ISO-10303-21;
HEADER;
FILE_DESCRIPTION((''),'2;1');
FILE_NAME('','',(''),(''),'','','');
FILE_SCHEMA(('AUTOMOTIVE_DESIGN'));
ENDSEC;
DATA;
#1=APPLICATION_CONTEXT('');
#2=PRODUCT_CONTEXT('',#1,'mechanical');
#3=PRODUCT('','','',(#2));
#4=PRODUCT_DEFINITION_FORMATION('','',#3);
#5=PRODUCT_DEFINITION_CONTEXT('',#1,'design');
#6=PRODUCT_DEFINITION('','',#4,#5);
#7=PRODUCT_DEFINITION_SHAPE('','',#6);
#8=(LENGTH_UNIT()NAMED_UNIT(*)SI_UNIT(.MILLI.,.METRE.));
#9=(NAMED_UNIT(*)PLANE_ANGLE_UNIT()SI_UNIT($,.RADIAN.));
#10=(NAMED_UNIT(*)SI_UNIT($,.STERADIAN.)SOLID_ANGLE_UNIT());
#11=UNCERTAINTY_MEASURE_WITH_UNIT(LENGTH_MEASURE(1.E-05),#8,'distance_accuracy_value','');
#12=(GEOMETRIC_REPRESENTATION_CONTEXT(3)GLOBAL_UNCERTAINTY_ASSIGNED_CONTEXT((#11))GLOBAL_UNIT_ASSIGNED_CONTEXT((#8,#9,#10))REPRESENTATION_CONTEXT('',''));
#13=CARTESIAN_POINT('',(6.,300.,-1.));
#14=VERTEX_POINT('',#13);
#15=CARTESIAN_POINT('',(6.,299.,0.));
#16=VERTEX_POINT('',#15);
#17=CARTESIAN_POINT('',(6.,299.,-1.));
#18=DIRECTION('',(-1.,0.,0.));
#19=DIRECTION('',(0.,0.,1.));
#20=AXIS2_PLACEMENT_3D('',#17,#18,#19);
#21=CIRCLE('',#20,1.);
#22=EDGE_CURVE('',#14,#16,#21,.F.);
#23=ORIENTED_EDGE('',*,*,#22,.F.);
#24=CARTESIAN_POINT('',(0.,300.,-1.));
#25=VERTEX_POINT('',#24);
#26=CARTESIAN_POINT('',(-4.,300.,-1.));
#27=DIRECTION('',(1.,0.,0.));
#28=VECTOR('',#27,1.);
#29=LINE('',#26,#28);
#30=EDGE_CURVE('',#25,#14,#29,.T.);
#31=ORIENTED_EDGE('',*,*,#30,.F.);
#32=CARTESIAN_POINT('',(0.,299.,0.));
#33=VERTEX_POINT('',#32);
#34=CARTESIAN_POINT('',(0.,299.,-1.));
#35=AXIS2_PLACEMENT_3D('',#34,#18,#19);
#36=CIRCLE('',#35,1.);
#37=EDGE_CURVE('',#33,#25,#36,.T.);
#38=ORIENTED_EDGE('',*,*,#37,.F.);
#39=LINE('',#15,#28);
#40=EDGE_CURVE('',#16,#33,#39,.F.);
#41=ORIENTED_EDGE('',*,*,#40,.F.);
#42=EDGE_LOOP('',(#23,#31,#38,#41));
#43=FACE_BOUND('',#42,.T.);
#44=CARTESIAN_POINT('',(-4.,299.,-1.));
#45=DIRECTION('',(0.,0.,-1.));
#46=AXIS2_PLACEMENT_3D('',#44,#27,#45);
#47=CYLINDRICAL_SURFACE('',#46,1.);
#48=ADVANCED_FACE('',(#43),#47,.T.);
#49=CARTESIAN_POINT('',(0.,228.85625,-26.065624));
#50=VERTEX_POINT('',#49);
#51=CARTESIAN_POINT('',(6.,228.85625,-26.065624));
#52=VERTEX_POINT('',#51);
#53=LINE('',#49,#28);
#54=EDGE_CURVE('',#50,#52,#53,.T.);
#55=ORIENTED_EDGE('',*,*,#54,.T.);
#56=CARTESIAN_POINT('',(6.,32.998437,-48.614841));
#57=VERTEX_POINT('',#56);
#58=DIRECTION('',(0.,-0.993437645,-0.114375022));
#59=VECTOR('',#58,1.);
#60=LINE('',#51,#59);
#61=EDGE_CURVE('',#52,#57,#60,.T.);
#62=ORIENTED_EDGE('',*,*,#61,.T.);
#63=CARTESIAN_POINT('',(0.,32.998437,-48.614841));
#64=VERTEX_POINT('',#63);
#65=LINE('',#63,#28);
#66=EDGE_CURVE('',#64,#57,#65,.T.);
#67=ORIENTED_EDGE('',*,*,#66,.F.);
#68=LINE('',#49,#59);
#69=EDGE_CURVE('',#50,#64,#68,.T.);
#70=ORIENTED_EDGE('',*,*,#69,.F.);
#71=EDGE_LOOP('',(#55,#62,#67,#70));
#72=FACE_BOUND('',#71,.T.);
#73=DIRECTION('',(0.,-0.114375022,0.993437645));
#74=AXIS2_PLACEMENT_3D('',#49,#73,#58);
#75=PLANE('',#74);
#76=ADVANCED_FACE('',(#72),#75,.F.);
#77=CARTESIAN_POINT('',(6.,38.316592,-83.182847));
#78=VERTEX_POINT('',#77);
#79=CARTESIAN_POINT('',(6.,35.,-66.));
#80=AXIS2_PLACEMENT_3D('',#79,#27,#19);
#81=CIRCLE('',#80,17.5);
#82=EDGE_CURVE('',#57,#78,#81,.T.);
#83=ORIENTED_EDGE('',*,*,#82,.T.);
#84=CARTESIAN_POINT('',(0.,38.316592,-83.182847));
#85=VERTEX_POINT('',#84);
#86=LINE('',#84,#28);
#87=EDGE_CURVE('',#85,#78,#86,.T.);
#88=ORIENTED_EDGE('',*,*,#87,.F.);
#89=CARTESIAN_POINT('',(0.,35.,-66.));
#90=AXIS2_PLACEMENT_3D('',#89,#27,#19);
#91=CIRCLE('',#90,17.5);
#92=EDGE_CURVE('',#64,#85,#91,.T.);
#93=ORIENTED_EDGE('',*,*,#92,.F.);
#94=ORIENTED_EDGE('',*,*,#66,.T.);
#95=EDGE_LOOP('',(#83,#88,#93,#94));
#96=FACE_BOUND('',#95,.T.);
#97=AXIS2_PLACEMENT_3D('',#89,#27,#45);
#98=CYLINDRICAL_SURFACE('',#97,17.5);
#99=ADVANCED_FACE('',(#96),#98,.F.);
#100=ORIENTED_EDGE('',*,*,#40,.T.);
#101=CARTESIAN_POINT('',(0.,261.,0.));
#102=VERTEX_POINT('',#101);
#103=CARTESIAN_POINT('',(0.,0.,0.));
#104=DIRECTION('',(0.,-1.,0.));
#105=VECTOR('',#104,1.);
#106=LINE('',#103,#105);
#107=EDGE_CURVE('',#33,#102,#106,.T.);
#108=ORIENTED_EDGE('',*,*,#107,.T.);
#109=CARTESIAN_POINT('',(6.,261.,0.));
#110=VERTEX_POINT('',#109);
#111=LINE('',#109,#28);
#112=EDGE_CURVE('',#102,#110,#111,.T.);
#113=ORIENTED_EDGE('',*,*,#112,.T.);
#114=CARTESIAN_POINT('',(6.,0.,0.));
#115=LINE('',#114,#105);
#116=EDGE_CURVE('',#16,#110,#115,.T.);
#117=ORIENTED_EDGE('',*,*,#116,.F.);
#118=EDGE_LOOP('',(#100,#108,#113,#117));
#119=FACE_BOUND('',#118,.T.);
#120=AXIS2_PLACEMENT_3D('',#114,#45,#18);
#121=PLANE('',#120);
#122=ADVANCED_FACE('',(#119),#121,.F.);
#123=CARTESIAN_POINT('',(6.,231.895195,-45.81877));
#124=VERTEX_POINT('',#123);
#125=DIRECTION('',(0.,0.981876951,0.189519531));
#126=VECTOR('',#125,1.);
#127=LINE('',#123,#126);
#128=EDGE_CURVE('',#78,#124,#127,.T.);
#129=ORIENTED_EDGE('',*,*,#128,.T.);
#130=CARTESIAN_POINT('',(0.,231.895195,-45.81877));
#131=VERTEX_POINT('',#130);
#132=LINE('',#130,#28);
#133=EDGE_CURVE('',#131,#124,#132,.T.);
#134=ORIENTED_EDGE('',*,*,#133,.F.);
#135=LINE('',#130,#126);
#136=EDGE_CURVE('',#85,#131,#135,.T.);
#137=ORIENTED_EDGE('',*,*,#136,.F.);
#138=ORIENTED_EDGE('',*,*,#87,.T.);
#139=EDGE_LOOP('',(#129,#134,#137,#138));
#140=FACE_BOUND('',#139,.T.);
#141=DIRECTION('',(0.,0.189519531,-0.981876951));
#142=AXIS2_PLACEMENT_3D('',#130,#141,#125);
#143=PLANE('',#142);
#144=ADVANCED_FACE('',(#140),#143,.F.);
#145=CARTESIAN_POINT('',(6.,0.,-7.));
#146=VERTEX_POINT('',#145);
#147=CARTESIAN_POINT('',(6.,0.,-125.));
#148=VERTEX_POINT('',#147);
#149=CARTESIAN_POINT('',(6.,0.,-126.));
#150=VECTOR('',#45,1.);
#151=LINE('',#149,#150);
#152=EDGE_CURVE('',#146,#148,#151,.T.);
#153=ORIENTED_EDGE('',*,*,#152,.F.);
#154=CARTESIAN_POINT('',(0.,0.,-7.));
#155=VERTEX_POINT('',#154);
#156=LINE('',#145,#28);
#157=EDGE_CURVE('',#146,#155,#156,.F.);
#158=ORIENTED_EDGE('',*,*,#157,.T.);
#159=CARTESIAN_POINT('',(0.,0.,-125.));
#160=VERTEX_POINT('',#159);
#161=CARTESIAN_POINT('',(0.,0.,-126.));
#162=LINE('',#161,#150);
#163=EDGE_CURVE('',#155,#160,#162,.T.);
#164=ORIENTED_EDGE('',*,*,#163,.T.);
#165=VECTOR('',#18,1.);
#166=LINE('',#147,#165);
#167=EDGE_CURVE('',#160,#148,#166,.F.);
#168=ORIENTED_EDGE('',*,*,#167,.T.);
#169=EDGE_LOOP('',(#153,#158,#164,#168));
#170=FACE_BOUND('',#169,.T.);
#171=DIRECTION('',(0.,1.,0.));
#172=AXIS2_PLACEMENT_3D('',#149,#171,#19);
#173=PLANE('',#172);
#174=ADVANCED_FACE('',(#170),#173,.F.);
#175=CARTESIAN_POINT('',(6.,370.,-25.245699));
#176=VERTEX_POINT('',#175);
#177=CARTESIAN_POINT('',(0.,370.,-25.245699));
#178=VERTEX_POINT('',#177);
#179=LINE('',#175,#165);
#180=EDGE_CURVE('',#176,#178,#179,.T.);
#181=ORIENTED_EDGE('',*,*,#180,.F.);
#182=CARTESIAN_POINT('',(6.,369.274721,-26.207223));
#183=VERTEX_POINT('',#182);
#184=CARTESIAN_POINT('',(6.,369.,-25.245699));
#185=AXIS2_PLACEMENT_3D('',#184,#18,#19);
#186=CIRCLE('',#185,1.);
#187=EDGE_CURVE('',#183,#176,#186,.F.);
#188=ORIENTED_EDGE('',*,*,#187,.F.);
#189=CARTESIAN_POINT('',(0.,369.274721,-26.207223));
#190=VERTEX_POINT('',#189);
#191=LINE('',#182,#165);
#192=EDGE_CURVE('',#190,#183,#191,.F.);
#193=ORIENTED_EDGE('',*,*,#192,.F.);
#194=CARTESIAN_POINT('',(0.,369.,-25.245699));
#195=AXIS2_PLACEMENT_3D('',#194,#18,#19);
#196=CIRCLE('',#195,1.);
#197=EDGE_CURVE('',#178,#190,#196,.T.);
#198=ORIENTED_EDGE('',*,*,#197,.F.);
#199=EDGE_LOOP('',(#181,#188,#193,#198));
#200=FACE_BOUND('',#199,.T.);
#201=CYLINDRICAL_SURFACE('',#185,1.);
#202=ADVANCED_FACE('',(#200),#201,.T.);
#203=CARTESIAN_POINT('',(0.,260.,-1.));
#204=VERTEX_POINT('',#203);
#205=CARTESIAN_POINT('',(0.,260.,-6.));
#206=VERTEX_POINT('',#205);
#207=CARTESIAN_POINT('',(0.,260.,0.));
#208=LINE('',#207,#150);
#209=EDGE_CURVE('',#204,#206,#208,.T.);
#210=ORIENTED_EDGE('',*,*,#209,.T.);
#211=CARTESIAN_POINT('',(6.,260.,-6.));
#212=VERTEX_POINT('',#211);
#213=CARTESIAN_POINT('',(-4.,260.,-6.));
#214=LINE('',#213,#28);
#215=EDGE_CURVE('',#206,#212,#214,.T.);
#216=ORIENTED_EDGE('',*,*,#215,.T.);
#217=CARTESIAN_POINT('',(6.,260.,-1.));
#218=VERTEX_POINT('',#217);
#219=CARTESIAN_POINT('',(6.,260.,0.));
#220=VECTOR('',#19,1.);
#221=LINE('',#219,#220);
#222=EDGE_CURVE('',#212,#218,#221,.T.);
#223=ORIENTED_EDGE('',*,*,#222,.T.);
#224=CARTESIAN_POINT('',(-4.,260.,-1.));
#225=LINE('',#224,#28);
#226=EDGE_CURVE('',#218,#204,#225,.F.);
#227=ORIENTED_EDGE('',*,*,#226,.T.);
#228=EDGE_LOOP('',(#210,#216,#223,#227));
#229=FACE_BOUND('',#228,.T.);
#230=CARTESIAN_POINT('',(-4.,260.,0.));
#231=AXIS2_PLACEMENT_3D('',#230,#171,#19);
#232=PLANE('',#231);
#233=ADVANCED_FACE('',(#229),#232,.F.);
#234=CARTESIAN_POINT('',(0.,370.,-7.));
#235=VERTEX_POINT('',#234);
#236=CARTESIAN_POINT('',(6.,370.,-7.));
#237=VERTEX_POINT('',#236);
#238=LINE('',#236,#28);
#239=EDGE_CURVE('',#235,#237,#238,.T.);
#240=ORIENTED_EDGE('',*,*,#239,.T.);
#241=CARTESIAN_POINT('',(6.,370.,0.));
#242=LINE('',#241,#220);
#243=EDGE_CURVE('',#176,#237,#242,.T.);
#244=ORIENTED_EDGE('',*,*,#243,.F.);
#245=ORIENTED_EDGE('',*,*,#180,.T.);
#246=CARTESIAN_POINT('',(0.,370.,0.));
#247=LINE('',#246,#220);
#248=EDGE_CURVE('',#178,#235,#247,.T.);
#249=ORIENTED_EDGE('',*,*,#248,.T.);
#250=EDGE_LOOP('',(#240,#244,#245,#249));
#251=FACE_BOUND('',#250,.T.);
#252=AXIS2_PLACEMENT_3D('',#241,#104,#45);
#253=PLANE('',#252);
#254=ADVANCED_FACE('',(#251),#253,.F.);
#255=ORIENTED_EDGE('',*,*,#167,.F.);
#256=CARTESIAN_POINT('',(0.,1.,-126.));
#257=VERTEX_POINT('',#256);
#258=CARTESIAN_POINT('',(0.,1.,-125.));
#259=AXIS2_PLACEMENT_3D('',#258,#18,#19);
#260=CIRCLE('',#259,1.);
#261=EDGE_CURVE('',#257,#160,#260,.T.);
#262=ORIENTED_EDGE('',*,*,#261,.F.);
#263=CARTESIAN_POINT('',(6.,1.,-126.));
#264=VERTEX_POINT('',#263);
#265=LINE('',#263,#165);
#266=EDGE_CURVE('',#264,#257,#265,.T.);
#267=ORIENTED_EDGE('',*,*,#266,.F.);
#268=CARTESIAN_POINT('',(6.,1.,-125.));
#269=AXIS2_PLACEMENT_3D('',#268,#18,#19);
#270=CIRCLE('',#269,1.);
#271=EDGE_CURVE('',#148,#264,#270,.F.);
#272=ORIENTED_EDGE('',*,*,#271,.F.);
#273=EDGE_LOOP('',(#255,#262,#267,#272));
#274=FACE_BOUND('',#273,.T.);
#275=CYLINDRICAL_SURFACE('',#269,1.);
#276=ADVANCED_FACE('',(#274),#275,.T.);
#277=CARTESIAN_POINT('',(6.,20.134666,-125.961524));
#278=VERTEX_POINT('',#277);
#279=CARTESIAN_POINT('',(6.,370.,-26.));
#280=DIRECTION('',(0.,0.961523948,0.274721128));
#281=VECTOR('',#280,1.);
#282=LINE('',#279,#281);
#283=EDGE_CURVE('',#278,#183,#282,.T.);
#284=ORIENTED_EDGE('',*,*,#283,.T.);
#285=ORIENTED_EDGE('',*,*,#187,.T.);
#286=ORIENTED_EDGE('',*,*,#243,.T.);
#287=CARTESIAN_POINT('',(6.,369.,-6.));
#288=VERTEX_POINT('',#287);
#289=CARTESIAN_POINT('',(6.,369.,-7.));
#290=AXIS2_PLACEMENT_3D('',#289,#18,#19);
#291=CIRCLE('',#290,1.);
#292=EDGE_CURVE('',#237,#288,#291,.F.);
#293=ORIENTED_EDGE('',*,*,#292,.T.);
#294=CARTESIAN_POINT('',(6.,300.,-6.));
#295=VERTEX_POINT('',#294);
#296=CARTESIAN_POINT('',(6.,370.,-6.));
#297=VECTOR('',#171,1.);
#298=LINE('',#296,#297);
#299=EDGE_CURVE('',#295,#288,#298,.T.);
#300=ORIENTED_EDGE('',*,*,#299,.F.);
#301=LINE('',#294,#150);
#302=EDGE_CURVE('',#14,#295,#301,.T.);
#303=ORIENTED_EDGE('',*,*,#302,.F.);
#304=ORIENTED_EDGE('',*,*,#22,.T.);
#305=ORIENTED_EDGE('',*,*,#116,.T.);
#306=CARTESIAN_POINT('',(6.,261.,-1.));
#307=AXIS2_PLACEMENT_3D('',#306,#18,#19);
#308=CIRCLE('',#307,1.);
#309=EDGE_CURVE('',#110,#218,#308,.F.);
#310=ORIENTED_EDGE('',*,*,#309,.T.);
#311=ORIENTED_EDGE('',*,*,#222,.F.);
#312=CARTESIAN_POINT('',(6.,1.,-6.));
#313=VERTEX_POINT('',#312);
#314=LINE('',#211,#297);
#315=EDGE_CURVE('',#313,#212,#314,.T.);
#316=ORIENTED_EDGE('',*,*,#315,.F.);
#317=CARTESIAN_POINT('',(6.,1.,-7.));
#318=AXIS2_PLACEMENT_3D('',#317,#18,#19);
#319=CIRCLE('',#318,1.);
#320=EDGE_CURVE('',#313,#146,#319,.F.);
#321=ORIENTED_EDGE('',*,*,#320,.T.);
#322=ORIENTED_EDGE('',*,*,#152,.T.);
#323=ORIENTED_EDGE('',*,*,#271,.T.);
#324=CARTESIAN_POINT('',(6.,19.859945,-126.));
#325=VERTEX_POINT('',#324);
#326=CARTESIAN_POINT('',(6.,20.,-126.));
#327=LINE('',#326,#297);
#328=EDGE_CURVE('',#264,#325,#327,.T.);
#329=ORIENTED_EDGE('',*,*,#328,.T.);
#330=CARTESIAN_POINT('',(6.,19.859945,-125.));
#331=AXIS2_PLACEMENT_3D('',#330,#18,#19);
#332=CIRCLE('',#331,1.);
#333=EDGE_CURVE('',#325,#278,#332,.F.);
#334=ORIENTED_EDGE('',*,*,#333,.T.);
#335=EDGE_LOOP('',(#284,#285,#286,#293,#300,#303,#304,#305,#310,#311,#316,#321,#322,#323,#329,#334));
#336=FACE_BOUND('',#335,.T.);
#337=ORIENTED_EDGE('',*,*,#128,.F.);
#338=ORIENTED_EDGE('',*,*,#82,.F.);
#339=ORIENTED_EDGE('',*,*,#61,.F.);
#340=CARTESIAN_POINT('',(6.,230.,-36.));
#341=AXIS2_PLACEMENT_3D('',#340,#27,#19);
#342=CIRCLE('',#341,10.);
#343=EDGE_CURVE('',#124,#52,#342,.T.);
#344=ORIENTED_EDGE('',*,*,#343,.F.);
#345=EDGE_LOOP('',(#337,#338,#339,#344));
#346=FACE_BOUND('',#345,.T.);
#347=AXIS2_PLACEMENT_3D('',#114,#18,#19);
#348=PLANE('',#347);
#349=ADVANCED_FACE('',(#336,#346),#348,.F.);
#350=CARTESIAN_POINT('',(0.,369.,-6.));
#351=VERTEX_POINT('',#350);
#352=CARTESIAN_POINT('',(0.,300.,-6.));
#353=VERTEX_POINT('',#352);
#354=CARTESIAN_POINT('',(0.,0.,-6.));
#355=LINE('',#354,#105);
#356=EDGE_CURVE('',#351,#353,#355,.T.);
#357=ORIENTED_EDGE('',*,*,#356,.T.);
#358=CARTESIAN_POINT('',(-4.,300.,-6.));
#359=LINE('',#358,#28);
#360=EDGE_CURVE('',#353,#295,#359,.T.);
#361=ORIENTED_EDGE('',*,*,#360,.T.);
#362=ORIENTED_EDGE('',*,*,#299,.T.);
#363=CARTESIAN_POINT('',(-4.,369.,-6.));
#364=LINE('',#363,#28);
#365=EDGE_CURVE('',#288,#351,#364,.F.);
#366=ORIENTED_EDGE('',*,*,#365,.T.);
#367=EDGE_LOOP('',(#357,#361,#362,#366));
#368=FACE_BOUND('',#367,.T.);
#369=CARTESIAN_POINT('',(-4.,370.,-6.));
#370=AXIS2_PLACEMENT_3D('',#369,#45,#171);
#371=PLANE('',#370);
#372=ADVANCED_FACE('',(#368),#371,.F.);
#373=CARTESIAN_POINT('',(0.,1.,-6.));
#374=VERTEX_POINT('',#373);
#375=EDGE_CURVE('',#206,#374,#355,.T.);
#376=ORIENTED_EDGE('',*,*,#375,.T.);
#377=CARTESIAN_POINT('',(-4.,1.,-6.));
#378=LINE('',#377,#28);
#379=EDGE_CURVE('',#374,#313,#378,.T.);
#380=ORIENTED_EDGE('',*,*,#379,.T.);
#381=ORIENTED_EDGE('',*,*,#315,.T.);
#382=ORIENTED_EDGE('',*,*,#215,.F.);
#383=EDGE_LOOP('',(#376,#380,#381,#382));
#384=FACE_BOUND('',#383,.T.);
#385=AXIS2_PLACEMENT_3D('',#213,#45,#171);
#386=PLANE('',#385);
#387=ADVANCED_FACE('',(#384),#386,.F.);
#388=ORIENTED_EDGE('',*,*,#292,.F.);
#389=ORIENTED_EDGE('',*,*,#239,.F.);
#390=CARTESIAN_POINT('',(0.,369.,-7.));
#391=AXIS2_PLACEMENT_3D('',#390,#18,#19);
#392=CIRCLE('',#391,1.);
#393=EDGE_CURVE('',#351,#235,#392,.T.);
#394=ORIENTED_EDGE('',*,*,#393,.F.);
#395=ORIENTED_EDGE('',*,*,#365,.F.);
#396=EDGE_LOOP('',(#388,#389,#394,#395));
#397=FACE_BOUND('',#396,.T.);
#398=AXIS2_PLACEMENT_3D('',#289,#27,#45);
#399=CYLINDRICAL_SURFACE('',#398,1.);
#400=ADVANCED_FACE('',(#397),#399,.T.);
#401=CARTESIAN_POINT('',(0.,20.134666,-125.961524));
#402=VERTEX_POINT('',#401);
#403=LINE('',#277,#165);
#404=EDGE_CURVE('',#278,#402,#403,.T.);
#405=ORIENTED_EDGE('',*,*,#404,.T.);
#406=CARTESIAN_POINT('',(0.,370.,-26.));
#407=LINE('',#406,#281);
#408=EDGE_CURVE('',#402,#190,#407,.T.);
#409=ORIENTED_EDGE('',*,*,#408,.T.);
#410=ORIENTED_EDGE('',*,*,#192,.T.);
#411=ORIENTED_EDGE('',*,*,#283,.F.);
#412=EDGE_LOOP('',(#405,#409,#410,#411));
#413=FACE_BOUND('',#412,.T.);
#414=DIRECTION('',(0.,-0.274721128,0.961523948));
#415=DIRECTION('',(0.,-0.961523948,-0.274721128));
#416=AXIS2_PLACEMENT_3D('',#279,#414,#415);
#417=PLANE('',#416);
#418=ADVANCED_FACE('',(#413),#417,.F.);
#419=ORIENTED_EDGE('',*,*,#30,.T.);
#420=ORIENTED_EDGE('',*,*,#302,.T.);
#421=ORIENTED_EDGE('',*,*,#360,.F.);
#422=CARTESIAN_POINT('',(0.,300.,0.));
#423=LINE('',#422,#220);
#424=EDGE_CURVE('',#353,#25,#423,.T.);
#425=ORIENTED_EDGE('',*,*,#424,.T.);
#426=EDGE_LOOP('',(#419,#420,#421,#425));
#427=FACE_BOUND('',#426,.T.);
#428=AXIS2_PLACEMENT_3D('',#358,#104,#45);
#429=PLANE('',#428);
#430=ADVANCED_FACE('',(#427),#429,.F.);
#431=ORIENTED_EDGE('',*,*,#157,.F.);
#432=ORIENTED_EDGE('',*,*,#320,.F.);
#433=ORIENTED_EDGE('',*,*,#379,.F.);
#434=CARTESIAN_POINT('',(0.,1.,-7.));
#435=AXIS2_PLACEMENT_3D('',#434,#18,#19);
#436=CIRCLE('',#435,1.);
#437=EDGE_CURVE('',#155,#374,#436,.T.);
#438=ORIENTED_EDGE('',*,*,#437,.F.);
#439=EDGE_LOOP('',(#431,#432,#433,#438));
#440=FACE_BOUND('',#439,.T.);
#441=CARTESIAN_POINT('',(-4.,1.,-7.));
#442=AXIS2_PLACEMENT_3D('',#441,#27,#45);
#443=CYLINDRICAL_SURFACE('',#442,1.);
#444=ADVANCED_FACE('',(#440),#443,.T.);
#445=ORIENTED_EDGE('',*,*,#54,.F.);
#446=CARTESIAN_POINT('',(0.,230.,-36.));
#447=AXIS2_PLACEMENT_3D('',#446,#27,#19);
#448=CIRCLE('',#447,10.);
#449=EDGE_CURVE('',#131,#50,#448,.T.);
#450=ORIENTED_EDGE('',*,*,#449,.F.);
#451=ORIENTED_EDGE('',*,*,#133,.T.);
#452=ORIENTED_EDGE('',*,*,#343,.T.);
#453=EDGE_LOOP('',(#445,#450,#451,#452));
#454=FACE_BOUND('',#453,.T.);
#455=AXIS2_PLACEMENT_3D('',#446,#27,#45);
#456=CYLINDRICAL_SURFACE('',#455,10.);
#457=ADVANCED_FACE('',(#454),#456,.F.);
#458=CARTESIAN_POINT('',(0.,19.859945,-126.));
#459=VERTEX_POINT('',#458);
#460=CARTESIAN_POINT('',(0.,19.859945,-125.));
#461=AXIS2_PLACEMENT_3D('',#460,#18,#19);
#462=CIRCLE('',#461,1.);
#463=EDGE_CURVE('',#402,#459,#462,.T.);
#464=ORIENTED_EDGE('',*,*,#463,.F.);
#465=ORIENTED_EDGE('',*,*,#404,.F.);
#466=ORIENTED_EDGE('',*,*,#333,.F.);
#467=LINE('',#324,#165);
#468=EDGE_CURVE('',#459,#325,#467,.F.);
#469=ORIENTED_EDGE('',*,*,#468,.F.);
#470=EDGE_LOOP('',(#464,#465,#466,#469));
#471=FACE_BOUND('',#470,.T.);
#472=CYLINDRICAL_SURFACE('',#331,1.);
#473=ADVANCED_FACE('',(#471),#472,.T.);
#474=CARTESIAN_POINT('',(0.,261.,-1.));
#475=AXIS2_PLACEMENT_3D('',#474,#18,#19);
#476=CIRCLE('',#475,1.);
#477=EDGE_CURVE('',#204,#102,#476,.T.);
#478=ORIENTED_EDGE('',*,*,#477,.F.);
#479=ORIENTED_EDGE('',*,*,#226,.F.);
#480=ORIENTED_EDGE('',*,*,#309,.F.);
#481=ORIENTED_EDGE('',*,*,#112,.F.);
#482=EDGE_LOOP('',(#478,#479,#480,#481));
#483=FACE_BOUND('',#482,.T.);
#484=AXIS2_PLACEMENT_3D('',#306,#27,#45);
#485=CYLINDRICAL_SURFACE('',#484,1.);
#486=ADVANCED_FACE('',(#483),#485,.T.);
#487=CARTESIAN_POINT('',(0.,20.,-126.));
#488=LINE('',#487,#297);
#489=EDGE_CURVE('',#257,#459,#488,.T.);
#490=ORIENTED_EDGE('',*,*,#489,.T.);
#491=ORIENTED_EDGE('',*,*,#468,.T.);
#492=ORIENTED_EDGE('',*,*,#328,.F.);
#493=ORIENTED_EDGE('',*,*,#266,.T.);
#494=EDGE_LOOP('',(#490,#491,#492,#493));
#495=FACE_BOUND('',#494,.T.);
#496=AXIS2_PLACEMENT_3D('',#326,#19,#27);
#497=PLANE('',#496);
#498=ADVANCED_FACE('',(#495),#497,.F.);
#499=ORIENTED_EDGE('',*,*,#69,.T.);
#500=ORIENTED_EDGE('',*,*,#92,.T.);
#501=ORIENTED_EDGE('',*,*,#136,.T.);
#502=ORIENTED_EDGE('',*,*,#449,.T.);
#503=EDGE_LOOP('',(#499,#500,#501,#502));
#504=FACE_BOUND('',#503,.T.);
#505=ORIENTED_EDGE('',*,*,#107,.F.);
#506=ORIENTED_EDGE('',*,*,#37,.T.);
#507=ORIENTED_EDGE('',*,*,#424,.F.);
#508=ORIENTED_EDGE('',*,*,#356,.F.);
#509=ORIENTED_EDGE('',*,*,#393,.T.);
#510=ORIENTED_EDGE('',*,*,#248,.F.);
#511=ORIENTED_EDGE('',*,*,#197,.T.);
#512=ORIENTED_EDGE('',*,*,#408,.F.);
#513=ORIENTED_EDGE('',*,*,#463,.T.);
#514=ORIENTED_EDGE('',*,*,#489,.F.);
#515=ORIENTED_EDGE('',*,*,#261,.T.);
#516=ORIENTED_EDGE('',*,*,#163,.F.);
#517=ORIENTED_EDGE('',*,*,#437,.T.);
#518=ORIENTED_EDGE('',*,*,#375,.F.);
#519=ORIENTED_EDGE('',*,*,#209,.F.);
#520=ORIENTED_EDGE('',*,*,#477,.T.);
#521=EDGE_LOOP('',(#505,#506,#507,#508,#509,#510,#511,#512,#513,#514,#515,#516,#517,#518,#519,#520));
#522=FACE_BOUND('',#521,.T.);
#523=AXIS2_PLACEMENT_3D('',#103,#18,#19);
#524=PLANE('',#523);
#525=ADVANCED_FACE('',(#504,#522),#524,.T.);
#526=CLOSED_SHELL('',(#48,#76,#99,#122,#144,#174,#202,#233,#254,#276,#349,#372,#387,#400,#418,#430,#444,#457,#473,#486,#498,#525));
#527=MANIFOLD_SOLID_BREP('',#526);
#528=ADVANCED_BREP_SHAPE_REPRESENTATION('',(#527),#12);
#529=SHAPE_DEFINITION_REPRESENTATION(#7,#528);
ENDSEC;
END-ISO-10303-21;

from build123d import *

# Parameters (mm, degrees)
CORNER_DEPTH = 6
SKETCH2_W    = 6
SKETCH2_H    = 70
SKETCH2_H_2  = 260
MOUNT_DEPTH  = 10
FILLET1_R    = 1
LITE_DEPTH   = 391.911754748


with BuildPart() as part:
    # Sketch1 → corner (new body)
    with BuildSketch(Plane(origin=(0, 0, 0), x_dir=(0, 0, -1), z_dir=(1, 0, 0))):
        Polygon((0, 0), (0, 370), (26, 370), (126, 20), (126, 0), align=None)
    extrude(amount=CORNER_DEPTH)

    # Sketch2 → mount (cut)
    with BuildSketch(Plane(origin=(6, 0, 0), x_dir=(0, 0, -1), z_dir=(1, 0, 0))):
        with Locations((3, 335)):
            Rectangle(SKETCH2_W, SKETCH2_H)
        with Locations((3, 130)):
            Rectangle(SKETCH2_W, SKETCH2_H_2)
    extrude(amount=-MOUNT_DEPTH, mode=Mode.SUBTRACT)

    # Fillet1
    fillet1_edges = [part.edges().sort_by_distance(p)[0] for p in [
        (3, 370, -6),
        (3, 300, 0),
        (3, 260, 0),
        (3, 0, -6),
        (3, 370, -26),
        (3, 20, -126),
        (3, 0, -126),
    ]]
    fillet(fillet1_edges, radius=FILLET1_R)

    # Sketch3 → lite (cut, through all)
    with BuildSketch(Plane(origin=(6, 0, 0), x_dir=(0, 0, -1), z_dir=(1, 0, 0))):
        with BuildLine():
            Line((26.065623551, 228.856249777), (48.614841214, 32.99843711))
            ThreePointArc((48.614841214, 32.99843711), (68.661000724, 17.703495291), (83.182846647, 38.316591792))
            Line((83.182846647, 38.316591792), (45.818769512, 231.89519531))
            ThreePointArc((45.818769512, 231.89519531), (34.479428157, 239.883716977), (26.065623551, 228.856249777))
        make_face()
    extrude(amount=-LITE_DEPTH, mode=Mode.SUBTRACT)


solid = part.part
